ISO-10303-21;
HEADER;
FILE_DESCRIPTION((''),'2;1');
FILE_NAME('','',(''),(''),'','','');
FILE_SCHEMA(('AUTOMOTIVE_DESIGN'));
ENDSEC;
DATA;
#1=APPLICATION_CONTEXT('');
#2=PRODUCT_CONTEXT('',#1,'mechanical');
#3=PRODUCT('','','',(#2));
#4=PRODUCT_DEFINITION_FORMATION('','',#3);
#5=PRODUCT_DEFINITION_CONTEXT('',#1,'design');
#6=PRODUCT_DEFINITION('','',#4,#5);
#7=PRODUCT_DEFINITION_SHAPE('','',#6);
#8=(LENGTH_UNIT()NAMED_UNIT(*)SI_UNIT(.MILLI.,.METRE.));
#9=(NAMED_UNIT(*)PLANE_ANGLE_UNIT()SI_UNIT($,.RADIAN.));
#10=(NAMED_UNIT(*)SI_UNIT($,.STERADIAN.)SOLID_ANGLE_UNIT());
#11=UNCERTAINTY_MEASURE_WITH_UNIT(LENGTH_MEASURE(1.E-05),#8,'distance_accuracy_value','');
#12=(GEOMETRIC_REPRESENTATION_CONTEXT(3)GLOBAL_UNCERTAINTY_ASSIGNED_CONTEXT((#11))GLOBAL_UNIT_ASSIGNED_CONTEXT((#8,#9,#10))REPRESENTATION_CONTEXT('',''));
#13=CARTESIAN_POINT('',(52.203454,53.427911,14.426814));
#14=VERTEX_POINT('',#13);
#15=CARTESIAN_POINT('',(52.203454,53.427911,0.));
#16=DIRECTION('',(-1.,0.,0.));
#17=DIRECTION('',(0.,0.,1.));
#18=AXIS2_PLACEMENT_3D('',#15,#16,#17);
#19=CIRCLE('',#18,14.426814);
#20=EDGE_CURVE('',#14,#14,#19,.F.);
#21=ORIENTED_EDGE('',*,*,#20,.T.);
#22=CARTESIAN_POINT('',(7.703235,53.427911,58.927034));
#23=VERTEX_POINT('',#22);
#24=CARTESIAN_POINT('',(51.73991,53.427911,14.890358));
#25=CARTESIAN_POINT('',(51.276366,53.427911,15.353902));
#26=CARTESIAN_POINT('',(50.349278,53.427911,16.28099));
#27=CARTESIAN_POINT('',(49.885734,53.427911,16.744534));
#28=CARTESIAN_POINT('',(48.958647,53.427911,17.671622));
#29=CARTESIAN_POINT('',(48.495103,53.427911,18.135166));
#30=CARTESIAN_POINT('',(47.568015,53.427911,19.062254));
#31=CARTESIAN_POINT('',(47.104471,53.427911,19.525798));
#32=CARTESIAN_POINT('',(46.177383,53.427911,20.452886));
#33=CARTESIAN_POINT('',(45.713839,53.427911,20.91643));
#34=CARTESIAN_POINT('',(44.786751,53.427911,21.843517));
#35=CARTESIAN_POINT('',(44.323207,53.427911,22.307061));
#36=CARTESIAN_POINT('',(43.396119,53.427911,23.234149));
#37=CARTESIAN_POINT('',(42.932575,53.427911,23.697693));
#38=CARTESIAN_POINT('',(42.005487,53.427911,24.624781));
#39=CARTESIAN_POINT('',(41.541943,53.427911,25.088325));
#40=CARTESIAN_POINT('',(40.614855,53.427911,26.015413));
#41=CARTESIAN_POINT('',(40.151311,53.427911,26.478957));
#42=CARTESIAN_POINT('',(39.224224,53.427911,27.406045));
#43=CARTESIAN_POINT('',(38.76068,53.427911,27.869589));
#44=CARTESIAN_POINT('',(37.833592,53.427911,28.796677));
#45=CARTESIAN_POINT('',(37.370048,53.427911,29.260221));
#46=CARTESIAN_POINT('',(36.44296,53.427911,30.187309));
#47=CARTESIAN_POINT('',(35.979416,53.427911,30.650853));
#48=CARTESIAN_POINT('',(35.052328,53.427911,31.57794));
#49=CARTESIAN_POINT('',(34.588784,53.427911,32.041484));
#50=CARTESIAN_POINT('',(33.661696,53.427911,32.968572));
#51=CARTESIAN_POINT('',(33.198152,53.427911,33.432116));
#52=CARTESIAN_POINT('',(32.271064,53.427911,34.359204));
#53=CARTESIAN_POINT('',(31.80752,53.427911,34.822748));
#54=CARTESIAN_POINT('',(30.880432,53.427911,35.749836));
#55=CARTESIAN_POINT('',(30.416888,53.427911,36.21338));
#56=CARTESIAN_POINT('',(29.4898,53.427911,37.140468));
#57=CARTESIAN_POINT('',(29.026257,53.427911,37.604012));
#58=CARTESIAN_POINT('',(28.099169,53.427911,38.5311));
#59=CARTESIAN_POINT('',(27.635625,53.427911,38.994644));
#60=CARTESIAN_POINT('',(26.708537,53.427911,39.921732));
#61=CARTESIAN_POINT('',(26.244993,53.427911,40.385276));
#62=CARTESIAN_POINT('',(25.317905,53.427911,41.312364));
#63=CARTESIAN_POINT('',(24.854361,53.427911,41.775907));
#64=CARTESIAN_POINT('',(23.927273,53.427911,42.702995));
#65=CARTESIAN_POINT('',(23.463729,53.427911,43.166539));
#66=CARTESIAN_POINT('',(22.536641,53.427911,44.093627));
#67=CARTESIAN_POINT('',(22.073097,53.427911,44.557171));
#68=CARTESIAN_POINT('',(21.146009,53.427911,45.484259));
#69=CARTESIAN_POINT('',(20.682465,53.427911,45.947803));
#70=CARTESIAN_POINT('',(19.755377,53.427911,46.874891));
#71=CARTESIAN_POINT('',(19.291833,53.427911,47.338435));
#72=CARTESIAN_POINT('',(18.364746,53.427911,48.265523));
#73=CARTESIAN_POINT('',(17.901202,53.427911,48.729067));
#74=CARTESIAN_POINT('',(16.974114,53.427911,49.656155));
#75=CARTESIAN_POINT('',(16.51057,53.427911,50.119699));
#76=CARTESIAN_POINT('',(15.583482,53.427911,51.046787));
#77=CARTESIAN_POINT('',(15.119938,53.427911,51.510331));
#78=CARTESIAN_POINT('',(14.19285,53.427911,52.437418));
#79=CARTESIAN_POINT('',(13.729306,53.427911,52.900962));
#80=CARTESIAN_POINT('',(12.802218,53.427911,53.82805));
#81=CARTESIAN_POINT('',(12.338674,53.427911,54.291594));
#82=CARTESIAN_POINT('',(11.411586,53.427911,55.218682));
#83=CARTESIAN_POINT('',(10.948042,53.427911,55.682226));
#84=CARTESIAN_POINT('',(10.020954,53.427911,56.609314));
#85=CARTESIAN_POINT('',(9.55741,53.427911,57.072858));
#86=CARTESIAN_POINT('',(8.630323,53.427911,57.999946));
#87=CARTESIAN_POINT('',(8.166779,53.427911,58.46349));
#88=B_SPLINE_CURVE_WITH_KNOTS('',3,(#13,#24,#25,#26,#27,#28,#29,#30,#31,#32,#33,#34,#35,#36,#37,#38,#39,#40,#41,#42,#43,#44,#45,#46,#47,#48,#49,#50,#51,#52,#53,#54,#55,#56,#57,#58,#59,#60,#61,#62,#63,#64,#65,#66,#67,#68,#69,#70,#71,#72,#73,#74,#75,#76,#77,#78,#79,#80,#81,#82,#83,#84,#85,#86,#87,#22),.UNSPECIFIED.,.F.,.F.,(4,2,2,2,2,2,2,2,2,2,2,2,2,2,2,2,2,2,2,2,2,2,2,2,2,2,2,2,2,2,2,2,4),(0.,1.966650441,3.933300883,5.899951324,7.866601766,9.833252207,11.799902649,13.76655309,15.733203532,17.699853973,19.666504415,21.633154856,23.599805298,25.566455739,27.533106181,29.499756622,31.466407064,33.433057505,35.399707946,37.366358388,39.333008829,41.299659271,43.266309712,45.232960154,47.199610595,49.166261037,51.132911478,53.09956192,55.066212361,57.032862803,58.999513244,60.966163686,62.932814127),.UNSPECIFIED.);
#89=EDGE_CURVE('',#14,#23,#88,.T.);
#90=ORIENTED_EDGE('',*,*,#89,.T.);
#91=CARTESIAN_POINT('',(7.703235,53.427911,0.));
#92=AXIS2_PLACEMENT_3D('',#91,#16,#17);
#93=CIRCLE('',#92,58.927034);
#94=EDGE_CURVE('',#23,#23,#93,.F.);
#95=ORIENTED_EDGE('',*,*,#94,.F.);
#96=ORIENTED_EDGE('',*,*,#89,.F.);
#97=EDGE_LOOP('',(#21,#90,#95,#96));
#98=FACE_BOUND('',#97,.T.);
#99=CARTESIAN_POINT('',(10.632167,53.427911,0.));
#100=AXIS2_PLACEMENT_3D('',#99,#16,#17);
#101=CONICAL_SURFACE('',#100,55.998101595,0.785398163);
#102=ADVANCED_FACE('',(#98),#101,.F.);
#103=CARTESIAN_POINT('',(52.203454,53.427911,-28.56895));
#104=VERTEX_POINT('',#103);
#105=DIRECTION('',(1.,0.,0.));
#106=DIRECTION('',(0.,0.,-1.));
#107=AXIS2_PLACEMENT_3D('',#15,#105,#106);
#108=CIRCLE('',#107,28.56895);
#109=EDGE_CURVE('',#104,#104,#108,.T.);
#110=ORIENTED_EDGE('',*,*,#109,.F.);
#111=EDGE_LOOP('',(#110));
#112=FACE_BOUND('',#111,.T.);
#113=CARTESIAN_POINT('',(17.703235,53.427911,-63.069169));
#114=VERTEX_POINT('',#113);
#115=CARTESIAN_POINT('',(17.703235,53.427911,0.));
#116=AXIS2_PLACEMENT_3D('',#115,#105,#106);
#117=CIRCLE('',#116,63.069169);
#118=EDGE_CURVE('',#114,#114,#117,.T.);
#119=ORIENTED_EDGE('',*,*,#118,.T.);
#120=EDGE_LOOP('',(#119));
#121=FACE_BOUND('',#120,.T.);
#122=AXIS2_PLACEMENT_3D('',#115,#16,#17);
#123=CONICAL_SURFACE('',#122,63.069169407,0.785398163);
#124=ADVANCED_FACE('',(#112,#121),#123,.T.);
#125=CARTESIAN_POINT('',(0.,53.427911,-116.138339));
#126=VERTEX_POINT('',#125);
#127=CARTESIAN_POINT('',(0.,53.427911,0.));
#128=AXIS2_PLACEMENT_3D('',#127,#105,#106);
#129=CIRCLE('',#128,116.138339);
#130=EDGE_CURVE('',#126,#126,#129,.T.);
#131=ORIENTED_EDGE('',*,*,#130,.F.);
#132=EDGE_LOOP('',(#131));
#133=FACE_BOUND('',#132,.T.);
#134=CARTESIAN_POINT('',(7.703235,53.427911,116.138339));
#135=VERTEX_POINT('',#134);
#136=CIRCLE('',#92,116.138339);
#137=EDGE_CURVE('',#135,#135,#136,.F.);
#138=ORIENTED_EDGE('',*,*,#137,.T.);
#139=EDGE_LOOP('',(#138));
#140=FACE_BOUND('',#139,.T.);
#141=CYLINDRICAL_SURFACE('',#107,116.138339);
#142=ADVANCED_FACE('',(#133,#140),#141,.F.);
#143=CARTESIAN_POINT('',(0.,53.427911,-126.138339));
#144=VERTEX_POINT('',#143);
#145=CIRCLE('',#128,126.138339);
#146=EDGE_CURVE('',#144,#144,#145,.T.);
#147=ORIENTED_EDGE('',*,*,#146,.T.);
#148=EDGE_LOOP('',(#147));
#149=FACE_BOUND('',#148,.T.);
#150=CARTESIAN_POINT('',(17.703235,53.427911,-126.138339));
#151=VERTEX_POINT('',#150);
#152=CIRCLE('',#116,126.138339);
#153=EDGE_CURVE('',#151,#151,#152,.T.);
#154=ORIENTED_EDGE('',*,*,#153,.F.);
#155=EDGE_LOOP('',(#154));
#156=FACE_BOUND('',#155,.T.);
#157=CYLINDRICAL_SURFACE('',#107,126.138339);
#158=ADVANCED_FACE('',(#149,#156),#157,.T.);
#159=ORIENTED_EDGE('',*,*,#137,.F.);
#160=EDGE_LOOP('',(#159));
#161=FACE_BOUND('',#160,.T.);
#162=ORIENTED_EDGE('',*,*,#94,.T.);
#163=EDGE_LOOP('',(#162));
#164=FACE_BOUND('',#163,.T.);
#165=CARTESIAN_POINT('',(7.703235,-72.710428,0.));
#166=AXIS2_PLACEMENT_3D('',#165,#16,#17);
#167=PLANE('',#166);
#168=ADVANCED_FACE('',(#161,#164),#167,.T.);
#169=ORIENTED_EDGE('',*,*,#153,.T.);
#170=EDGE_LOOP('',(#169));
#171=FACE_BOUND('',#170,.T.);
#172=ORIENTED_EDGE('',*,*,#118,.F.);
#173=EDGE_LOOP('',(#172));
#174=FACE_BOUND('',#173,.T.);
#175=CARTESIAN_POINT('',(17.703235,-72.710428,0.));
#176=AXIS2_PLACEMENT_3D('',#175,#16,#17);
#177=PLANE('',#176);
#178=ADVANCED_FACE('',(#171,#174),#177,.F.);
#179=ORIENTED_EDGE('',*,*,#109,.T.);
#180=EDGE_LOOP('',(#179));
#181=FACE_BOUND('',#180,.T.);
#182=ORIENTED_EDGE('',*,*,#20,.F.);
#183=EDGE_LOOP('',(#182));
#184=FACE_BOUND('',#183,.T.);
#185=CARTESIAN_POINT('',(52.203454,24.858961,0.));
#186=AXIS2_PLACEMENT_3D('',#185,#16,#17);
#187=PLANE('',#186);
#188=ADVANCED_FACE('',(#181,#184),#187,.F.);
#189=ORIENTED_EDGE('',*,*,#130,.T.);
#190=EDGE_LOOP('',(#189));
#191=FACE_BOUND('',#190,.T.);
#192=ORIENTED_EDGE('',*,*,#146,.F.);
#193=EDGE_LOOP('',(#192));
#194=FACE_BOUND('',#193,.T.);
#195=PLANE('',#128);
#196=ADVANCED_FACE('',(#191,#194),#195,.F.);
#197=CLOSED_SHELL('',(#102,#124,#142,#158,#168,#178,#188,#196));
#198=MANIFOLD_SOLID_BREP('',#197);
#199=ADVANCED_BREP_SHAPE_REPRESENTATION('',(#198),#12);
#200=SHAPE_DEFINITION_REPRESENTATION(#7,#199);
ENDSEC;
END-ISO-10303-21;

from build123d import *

# Parameters (mm, degrees)
VACIADO1_T = -10


with BuildPart() as part:
    # Croquis1 → Revolución1 (revolve)
    with BuildSketch(Plane.XY, mode=Mode.PRIVATE) as revoluci_n1_sk:
        Polygon((0, 53.427911052), (0, -72.710427761), (17.703234608, -72.710427761), (17.703234608, -9.641258354), (52.203454236, 24.858961274), (52.203454236, 53.427911052), align=None)
    revolve(revoluci_n1_sk.sketch.rotate(Axis((52.203454236, 53.427911052, 0), (-1, 0, 0)), 270), axis=Axis((52.203454236, 53.427911052, 0), (-1, 0, 0)))

    # Vaciado1
    vaciado1_openings = [part.faces().sort_by_distance(p)[0] for p in [
        (52.203454236, 53.427911052, 0),
        (0, 53.427911052, 0),
    ]]
    offset(amount=VACIADO1_T, openings=vaciado1_openings, kind=Kind.INTERSECTION)


solid = part.part
